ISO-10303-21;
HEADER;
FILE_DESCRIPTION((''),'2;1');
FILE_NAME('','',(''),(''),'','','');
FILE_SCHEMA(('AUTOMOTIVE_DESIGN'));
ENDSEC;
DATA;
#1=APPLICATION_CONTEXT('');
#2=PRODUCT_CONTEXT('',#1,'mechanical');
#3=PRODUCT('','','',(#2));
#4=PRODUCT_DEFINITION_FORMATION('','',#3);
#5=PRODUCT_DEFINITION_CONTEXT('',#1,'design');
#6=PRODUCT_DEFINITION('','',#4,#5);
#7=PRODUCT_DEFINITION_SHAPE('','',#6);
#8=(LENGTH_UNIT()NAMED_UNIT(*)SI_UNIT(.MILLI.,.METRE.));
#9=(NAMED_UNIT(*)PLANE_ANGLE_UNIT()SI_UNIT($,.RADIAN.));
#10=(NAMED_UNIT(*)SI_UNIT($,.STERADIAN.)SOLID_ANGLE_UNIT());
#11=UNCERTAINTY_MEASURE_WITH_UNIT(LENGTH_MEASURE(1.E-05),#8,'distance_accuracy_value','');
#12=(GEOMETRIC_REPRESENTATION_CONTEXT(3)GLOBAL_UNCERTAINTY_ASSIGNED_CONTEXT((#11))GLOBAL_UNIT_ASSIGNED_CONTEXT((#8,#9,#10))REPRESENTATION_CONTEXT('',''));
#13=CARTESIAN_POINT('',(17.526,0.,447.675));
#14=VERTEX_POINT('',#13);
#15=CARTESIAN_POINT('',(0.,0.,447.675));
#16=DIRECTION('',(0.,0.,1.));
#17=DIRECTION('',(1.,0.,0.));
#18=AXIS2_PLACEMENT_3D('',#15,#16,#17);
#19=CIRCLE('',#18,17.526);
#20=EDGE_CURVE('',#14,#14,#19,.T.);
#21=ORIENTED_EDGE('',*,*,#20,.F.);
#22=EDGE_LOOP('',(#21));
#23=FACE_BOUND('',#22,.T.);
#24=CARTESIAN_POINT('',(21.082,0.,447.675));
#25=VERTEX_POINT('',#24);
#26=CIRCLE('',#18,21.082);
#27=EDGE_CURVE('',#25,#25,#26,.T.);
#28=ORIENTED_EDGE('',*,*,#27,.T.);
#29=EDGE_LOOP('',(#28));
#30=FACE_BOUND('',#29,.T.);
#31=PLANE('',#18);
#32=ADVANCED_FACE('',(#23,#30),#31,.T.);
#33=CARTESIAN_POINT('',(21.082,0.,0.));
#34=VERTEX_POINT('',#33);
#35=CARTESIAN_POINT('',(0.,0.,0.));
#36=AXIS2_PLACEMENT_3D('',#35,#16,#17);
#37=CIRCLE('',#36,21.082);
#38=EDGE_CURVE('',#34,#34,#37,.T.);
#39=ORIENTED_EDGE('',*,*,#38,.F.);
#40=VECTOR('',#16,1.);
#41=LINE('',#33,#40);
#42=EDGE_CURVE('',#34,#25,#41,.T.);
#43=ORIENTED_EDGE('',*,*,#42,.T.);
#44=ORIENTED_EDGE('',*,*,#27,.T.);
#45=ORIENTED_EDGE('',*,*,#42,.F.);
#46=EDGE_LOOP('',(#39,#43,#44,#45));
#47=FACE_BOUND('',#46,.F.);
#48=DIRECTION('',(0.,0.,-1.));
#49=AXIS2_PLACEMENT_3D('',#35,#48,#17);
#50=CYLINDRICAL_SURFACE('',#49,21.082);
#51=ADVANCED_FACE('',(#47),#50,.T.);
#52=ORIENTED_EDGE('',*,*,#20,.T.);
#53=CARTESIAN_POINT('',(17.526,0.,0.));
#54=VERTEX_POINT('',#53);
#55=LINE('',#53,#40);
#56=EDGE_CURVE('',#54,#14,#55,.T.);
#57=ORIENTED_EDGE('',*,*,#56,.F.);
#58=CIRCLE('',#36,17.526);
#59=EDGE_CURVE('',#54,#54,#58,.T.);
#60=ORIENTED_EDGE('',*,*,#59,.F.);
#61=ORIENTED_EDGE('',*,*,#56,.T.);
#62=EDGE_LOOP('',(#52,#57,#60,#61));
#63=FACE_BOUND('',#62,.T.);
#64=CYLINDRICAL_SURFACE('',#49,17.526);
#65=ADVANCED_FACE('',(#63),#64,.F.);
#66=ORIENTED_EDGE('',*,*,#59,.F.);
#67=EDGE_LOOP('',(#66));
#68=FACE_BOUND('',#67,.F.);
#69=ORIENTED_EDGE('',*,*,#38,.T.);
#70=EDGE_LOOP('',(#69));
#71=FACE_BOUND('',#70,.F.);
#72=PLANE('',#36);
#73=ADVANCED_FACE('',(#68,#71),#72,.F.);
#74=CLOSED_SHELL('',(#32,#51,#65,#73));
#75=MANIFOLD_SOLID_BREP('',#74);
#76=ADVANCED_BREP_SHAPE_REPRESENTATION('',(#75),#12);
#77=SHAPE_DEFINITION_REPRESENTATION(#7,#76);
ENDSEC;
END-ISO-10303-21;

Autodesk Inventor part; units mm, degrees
ref_plane "YZ Plane" through (0, 0, 0) normal (1, 0, 0) x (0, 1, 0)
ref_plane "XZ Plane" through (0, 0, 0) normal (0, 1, 0) x (-1, 0, 0)
ref_plane "XY Plane" through (0, 0, 0) normal (0, 0, 1) x (1, 0, 0)
sketch "Sketch1" plane through (0, 0, 0) normal (0, 0, 1) x (1, 0, 0)
  circle A0 centre (0, 0) radius 21.082
  circle A1 centre (0, 0) radius 17.526
  dimension "d0" = 42.164
  dimension "d1" = 35.052
extrude "Extrusion1" add sketch "Sketch1" along normal blind 447.675
properties part number "cutoff pipe" material "Steel, Mild"
